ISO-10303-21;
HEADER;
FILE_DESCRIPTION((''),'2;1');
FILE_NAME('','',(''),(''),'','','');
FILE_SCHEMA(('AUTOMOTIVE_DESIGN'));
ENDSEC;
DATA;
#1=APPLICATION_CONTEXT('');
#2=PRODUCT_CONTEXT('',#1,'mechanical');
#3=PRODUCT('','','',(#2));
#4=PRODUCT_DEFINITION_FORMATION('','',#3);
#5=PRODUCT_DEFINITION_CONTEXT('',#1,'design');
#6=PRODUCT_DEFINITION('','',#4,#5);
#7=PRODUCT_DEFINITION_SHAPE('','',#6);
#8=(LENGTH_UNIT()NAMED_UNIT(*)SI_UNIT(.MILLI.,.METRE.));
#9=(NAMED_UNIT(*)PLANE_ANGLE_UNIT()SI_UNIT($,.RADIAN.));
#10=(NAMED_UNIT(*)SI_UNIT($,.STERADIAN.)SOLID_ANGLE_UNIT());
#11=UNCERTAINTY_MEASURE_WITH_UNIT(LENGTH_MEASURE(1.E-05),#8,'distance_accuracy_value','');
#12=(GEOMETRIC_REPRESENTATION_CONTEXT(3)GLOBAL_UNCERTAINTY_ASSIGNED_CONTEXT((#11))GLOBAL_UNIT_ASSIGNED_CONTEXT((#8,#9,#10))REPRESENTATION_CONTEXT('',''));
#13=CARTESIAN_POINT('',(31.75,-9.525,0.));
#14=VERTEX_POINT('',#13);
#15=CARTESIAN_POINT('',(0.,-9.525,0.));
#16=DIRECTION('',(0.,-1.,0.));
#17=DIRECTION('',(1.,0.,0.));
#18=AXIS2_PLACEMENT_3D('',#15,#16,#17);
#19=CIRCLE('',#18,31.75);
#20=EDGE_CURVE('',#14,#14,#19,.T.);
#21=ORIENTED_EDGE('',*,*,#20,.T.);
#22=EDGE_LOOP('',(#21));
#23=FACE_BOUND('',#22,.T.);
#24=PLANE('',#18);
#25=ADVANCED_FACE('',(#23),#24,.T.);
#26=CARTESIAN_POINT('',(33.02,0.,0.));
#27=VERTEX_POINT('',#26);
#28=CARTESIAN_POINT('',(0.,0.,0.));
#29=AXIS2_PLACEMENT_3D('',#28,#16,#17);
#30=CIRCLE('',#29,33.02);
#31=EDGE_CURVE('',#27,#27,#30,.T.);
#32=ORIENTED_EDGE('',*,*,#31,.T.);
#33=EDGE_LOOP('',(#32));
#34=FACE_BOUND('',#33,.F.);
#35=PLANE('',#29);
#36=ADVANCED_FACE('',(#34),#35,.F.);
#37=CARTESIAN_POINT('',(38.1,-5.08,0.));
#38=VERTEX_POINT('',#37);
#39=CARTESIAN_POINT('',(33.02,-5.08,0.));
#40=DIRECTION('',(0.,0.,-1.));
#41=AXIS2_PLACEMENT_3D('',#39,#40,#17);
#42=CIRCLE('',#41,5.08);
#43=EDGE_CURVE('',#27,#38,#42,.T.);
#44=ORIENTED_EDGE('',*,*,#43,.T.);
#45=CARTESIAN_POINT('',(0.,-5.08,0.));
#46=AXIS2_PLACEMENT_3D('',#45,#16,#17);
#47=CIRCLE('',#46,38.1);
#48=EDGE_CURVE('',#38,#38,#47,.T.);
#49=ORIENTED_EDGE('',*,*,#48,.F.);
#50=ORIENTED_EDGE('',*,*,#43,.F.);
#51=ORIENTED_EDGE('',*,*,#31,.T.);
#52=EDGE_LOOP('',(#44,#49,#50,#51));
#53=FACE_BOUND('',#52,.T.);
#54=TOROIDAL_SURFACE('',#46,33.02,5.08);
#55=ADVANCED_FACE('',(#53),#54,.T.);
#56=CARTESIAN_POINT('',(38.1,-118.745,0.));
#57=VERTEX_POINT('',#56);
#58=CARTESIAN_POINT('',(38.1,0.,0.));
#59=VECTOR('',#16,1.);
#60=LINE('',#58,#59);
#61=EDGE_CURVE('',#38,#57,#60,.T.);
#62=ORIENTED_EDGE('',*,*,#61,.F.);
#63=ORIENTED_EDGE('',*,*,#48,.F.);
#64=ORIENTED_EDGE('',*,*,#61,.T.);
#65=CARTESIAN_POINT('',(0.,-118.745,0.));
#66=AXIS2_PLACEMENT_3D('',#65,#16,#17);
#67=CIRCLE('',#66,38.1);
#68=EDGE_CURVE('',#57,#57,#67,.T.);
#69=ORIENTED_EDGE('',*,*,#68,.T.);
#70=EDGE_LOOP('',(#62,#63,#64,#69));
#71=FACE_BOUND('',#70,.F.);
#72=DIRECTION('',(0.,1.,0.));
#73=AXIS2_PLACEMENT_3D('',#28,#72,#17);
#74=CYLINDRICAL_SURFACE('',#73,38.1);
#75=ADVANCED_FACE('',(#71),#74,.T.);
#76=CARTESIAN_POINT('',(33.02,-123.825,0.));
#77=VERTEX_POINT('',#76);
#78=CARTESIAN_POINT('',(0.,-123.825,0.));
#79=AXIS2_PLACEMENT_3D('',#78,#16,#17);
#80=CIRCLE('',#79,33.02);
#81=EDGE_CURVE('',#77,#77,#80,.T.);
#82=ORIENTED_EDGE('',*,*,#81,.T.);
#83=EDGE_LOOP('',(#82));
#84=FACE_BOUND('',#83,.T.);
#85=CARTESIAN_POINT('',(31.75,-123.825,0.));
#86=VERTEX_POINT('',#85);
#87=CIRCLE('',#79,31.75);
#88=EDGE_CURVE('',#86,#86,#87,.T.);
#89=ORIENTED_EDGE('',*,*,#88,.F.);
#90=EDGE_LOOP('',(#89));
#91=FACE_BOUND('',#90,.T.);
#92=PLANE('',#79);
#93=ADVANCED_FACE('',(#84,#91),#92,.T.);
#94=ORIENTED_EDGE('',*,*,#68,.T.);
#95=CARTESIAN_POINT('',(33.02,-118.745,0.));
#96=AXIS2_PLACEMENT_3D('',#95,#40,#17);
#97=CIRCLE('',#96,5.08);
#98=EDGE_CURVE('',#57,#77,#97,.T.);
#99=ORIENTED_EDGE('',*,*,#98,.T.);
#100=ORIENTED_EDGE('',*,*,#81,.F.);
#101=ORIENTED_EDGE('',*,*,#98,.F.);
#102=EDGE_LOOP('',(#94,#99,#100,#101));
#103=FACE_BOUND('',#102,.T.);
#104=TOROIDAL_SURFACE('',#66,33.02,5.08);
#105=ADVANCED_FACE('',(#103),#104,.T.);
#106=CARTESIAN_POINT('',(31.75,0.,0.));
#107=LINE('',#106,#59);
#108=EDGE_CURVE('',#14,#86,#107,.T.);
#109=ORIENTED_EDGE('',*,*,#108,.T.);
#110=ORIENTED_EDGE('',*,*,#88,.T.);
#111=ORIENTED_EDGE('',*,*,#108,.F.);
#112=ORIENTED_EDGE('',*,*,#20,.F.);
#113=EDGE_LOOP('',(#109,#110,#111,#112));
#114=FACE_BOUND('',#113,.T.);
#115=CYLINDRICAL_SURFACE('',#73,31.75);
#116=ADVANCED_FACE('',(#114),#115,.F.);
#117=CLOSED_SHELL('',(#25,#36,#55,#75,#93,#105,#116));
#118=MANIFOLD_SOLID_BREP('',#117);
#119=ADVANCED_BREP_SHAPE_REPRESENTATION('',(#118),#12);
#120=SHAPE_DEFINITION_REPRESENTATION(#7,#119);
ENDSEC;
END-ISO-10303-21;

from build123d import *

# Parameters (mm, degrees)
F0_R     = 38.1
F0_R_2   = 31.75
F1_DEPTH = 123.825
F2_R     = 31.75
F3_DEPTH = 9.525
F4_R     = 5.08


with BuildPart() as f1:
    # F0 (on Front) → F1 (new body)
    with BuildSketch(Plane.XZ):
        Circle(F0_R)
        Circle(F0_R_2, mode=Mode.SUBTRACT)
    extrude(amount=F1_DEPTH)

    # F2 (on Front) → F3 (join)
    with BuildSketch(Plane.XZ):
        Circle(F2_R)
    extrude(amount=F3_DEPTH)

    # F4
    f4_edges = [f1.edges().sort_by_distance(p)[0] for p in [
        (-38.1, -123.825, 0),
        (38.1, -61.9125, 0),
        (-38.1, 0, 0),
    ]]
    fillet(f4_edges, radius=F4_R)


solid = f1.part
